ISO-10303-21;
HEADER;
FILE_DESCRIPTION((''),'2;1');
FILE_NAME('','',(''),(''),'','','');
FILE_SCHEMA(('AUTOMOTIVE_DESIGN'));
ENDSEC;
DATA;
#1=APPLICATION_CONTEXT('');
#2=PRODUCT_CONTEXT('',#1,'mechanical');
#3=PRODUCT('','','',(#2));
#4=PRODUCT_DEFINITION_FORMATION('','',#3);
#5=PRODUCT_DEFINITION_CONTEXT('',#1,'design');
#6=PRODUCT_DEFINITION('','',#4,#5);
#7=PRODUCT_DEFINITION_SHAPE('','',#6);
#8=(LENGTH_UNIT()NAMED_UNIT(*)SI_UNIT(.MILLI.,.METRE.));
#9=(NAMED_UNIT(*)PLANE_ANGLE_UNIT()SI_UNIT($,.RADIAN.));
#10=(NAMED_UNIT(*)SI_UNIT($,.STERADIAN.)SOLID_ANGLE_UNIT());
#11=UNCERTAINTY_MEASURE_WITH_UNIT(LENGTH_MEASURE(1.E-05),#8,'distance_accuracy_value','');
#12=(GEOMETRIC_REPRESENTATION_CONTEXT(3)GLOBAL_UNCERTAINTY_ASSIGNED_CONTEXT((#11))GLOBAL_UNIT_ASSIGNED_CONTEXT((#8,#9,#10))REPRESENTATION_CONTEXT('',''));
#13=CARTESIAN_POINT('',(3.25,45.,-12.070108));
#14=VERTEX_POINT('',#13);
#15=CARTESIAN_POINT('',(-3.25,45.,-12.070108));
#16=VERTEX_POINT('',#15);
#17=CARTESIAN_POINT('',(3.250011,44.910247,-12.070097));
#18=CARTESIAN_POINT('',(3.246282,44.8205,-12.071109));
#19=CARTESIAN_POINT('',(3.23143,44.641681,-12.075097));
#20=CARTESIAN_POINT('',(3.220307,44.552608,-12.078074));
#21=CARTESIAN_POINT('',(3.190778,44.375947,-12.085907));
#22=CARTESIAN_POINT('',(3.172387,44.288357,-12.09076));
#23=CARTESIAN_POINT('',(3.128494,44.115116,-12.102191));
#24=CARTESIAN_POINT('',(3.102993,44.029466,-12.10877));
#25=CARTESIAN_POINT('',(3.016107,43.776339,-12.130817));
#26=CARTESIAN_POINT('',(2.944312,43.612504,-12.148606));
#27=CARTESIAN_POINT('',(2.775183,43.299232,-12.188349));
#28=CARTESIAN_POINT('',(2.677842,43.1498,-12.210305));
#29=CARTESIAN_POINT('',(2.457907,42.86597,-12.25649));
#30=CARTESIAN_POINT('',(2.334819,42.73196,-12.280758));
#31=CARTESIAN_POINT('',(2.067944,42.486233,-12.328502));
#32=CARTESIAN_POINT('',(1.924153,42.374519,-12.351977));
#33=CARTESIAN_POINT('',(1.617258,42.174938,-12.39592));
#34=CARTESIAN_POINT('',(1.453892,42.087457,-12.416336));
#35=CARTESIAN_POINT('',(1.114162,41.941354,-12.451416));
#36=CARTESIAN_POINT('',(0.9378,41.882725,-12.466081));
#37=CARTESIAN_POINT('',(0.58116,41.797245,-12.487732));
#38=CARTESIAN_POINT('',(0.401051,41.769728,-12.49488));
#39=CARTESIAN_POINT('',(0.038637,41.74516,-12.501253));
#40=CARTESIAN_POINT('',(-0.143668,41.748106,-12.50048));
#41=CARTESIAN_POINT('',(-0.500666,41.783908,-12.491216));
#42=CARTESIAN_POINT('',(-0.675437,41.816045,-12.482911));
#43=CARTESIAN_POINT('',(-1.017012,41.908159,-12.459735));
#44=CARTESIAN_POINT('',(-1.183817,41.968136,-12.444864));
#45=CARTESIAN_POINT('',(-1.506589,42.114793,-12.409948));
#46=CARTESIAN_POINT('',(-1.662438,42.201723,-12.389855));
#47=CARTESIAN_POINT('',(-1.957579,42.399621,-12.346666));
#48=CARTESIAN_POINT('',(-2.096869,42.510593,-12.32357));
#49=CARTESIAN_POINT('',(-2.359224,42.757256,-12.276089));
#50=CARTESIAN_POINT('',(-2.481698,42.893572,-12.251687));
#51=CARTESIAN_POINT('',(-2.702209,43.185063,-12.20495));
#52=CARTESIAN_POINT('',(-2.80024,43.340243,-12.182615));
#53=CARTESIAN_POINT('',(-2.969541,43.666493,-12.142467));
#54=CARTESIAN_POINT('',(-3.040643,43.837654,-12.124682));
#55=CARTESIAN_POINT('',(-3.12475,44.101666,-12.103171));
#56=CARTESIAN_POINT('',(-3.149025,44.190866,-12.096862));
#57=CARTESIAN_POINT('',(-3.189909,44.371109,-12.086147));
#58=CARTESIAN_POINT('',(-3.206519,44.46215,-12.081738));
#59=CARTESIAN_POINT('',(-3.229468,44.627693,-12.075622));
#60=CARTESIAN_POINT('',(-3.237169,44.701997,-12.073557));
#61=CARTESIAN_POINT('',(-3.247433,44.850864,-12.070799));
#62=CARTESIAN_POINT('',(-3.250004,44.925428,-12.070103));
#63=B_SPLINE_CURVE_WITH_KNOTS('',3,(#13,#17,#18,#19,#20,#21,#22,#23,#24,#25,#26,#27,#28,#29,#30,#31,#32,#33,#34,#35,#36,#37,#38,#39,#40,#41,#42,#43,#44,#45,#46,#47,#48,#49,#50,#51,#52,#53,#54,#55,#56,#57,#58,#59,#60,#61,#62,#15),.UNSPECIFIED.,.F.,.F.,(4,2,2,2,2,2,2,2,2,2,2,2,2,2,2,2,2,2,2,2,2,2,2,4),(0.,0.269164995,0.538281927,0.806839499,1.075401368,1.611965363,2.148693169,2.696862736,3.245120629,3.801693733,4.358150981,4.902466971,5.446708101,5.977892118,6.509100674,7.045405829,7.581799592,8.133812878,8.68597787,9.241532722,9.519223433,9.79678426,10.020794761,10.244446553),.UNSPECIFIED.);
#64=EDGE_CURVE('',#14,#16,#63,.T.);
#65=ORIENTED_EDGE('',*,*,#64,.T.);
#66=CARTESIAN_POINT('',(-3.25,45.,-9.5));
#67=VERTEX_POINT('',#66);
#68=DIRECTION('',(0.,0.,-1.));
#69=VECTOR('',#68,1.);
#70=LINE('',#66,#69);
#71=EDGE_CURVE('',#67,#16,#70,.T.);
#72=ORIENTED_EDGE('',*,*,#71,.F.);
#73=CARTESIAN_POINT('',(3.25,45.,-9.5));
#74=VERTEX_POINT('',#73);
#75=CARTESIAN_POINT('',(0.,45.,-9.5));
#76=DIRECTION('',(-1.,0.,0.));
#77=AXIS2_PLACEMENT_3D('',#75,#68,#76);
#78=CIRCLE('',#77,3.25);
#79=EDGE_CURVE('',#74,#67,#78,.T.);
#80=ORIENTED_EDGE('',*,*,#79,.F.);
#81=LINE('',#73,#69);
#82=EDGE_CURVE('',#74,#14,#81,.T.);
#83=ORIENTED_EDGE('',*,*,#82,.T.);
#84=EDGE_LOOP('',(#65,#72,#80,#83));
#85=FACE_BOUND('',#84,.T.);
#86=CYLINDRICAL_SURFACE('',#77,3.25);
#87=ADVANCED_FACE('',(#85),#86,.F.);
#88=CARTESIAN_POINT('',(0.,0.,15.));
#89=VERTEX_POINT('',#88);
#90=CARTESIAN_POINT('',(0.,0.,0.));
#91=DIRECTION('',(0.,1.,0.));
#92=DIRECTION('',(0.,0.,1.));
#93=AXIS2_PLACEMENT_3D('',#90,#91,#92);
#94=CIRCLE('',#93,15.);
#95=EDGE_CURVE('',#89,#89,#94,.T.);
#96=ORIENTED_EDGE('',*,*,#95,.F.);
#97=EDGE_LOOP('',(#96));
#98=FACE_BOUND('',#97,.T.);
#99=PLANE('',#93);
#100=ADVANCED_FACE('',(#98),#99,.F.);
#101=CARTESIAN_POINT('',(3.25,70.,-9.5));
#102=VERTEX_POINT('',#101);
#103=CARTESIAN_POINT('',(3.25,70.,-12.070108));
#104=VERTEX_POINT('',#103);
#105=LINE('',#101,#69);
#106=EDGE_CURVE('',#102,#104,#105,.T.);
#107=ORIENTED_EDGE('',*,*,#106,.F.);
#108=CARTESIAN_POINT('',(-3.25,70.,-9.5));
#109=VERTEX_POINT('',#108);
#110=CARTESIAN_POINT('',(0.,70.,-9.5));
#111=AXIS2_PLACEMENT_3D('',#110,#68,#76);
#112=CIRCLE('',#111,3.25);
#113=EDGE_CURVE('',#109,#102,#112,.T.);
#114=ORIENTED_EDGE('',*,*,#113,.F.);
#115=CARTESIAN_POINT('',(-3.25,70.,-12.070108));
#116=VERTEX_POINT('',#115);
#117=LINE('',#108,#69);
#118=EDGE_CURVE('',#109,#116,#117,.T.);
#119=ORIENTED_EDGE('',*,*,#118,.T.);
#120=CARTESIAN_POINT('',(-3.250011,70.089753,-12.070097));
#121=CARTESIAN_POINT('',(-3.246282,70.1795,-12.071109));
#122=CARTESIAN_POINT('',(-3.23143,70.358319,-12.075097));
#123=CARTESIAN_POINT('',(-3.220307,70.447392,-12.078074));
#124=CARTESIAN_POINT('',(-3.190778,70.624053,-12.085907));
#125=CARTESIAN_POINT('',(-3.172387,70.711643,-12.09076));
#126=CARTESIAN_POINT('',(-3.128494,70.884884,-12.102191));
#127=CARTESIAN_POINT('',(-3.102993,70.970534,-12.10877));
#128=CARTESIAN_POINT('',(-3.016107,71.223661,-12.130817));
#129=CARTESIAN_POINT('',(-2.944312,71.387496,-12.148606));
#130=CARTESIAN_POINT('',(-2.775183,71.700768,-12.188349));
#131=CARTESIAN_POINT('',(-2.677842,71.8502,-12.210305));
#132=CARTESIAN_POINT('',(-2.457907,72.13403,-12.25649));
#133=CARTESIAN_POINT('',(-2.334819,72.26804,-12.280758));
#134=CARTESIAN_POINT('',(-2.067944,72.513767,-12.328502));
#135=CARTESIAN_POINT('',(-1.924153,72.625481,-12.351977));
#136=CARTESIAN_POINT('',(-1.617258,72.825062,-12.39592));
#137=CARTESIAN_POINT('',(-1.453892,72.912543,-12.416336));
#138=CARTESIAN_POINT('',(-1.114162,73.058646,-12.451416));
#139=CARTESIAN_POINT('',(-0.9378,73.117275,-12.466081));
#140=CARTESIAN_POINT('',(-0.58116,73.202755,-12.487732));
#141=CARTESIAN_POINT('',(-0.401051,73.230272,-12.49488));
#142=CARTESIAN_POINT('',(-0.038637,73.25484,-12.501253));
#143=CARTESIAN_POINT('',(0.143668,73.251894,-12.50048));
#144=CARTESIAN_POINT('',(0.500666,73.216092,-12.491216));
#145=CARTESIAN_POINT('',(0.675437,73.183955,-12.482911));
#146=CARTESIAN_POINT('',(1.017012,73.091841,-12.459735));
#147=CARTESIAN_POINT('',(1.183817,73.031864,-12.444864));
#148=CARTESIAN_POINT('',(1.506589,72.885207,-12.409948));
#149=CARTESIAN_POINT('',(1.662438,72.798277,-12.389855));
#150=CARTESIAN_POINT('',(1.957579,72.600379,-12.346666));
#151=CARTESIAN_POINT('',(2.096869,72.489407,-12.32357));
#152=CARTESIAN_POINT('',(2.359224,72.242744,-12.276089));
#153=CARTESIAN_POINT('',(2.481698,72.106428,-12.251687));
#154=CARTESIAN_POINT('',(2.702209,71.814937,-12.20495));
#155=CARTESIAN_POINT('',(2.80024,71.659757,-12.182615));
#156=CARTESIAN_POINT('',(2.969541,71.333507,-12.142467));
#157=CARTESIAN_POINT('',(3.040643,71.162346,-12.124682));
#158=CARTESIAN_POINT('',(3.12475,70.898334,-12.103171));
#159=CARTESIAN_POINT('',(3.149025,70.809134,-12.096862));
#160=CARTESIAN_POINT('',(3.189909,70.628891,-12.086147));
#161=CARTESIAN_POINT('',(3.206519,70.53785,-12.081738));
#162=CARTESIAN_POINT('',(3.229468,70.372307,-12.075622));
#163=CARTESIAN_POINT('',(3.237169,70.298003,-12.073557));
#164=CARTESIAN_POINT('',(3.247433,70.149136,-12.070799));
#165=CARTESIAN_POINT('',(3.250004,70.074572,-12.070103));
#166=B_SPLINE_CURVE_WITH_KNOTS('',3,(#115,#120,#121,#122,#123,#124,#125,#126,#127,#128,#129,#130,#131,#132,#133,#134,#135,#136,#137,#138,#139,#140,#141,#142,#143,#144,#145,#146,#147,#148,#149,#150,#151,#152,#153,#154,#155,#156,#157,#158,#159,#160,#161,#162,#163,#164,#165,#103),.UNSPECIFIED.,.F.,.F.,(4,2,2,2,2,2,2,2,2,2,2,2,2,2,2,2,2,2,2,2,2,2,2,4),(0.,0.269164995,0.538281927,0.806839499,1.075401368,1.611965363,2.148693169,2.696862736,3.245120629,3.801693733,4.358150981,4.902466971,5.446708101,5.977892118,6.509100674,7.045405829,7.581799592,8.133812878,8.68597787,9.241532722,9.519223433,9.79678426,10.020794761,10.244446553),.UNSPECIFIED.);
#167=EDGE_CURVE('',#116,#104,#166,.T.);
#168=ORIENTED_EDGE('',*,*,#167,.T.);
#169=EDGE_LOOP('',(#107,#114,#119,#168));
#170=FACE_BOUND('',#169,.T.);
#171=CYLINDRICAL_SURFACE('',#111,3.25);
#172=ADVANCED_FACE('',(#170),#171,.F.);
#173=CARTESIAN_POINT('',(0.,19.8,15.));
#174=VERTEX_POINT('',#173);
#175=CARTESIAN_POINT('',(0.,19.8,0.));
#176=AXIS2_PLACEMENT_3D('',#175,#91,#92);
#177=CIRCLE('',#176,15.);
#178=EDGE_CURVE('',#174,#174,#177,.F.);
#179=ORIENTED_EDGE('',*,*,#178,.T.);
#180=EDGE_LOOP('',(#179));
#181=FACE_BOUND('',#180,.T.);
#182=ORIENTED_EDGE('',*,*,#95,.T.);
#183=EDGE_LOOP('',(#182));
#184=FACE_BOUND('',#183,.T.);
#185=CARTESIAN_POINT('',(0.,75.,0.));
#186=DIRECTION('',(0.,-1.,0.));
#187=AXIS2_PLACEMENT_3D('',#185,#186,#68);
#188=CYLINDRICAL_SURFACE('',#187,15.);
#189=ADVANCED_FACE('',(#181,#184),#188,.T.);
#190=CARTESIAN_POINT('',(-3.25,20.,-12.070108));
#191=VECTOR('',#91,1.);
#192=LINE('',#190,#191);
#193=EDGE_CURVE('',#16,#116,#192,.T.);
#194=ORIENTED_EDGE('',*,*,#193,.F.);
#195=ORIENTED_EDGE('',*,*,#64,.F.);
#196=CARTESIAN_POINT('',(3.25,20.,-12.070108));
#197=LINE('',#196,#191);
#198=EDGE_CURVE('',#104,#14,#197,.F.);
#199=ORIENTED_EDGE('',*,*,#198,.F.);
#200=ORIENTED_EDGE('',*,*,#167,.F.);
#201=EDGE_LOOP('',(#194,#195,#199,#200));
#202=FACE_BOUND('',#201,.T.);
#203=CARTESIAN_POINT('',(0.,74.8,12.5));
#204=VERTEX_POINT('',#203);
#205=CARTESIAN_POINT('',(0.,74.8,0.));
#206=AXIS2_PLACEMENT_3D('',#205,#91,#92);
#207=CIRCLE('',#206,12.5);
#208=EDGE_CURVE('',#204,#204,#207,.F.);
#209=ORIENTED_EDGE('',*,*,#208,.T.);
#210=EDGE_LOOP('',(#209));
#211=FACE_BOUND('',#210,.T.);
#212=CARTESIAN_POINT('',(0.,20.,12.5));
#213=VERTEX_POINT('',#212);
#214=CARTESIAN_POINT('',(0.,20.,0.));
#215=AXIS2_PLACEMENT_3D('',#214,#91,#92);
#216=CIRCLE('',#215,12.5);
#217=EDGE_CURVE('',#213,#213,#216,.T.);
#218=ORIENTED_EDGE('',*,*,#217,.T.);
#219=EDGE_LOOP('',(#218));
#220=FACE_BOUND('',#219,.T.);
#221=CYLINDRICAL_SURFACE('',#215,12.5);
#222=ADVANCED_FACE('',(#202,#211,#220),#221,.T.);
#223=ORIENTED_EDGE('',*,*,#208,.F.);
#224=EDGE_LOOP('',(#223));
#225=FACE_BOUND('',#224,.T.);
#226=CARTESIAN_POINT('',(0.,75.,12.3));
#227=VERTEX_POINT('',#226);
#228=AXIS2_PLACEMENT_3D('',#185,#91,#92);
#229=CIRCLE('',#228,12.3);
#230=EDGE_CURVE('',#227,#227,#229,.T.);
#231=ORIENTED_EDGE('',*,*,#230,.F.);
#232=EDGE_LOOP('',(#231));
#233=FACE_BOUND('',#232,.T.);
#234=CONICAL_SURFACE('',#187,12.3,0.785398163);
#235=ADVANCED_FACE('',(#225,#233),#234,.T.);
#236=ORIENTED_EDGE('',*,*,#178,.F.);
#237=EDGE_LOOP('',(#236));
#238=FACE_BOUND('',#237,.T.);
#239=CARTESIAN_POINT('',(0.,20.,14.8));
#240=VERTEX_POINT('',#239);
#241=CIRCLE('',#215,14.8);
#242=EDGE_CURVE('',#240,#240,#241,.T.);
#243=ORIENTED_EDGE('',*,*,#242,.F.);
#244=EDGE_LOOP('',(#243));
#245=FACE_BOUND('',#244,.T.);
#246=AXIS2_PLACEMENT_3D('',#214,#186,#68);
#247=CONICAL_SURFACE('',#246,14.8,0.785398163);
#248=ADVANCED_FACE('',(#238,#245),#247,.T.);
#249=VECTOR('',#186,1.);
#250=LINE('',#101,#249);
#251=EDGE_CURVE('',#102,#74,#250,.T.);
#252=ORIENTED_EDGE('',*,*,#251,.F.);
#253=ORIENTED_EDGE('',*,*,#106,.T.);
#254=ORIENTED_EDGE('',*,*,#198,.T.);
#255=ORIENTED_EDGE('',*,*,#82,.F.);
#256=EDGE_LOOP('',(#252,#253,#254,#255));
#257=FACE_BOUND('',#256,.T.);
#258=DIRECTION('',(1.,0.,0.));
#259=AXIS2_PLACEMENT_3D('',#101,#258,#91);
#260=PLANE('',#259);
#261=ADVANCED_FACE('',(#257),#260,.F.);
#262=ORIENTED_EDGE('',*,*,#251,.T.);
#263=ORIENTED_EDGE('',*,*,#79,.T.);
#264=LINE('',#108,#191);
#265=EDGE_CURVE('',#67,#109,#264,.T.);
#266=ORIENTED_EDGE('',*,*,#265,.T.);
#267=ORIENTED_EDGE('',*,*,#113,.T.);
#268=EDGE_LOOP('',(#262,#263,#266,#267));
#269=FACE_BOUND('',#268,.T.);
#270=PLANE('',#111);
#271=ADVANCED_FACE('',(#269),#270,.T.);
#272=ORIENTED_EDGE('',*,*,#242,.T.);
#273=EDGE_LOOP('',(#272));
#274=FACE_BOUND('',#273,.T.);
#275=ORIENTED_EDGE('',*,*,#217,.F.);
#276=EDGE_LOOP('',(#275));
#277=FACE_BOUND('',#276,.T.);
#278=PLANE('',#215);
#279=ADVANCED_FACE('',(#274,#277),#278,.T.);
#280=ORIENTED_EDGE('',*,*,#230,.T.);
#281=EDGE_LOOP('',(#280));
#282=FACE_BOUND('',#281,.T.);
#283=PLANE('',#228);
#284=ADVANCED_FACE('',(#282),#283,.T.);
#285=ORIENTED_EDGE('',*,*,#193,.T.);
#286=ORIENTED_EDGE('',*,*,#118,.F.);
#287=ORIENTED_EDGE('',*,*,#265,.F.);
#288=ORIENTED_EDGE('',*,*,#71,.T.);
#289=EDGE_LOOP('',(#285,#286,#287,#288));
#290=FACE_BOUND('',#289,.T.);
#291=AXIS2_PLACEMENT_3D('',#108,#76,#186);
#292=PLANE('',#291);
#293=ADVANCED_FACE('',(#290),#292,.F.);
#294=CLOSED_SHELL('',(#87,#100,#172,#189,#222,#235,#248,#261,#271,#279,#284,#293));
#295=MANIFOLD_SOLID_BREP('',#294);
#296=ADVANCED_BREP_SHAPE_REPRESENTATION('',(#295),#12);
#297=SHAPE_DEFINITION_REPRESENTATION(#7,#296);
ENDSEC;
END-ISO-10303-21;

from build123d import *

# Parameters (mm, degrees)
ESQUISSE1_R             = 15
BOSS_EXTRU_1_DEPTH      = 75
ENL_V_START             = -55
ESQUISSE2_R             = 15
ESQUISSE2_R_2           = 12.5
ENL_V_MAT_EXTRU_1_DEPTH = 55
CHANFREIN4_SIZE         = 0.2
CHANFREIN5_SIZE         = 0.2
ENL_V_MAT_EXTRU_2_DEPTH = 3


with BuildPart() as part:
    # Esquisse1 → Boss.-Extru.1 (new body)
    with BuildSketch(Plane(origin=(0, 0, 0), x_dir=(1, 0, 0), z_dir=(0, 1, 0))):
        with Locations(Location((0, 0, 0), (0, 0, 270))):
            Circle(ESQUISSE1_R)
    extrude(amount=BOSS_EXTRU_1_DEPTH)

    # Esquisse2 → Enlèv. mat.-Extru.1 (cut)
    with BuildSketch(Plane(origin=(0, 75, 0), x_dir=(1, 0, 0), z_dir=(0, 1, 0)).offset(ENL_V_START)):
        with Locations(Location((0, 0, 0), (0, 0, 270))):
            Circle(ESQUISSE2_R)
        with Locations(Location((0, 0, 0), (0, 0, 270))):
            Circle(ESQUISSE2_R_2, mode=Mode.SUBTRACT)
    extrude(amount=ENL_V_MAT_EXTRU_1_DEPTH, mode=Mode.SUBTRACT)

    # Chanfrein4
    chanfrein4_edges = [part.edges().sort_by_distance(p)[0] for p in [
        (0, 20, -15),
    ]]
    chamfer(chanfrein4_edges, length=CHANFREIN4_SIZE)

    # Chanfrein5
    chanfrein5_edges = [part.edges().sort_by_distance(p)[0] for p in [
        (0, 75, -12.5),
    ]]
    chamfer(chanfrein5_edges, length=CHANFREIN5_SIZE)

    # Esquisse3 → Enlèv. mat.-Extru.2 (cut)
    with BuildSketch(Plane(origin=(0, 0, -12.5), x_dir=(-1, 0, 0), z_dir=(0, 0, -1))):
        with BuildLine():
            Line((3.25, 70), (3.25, 45))
            ThreePointArc((3.25, 45), (0, 41.75), (-3.25, 45))
            Line((-3.25, 45), (-3.25, 70))
            ThreePointArc((-3.25, 70), (0, 73.25), (3.25, 70))
        make_face()
    extrude(amount=-ENL_V_MAT_EXTRU_2_DEPTH, mode=Mode.SUBTRACT)


solid = part.part
